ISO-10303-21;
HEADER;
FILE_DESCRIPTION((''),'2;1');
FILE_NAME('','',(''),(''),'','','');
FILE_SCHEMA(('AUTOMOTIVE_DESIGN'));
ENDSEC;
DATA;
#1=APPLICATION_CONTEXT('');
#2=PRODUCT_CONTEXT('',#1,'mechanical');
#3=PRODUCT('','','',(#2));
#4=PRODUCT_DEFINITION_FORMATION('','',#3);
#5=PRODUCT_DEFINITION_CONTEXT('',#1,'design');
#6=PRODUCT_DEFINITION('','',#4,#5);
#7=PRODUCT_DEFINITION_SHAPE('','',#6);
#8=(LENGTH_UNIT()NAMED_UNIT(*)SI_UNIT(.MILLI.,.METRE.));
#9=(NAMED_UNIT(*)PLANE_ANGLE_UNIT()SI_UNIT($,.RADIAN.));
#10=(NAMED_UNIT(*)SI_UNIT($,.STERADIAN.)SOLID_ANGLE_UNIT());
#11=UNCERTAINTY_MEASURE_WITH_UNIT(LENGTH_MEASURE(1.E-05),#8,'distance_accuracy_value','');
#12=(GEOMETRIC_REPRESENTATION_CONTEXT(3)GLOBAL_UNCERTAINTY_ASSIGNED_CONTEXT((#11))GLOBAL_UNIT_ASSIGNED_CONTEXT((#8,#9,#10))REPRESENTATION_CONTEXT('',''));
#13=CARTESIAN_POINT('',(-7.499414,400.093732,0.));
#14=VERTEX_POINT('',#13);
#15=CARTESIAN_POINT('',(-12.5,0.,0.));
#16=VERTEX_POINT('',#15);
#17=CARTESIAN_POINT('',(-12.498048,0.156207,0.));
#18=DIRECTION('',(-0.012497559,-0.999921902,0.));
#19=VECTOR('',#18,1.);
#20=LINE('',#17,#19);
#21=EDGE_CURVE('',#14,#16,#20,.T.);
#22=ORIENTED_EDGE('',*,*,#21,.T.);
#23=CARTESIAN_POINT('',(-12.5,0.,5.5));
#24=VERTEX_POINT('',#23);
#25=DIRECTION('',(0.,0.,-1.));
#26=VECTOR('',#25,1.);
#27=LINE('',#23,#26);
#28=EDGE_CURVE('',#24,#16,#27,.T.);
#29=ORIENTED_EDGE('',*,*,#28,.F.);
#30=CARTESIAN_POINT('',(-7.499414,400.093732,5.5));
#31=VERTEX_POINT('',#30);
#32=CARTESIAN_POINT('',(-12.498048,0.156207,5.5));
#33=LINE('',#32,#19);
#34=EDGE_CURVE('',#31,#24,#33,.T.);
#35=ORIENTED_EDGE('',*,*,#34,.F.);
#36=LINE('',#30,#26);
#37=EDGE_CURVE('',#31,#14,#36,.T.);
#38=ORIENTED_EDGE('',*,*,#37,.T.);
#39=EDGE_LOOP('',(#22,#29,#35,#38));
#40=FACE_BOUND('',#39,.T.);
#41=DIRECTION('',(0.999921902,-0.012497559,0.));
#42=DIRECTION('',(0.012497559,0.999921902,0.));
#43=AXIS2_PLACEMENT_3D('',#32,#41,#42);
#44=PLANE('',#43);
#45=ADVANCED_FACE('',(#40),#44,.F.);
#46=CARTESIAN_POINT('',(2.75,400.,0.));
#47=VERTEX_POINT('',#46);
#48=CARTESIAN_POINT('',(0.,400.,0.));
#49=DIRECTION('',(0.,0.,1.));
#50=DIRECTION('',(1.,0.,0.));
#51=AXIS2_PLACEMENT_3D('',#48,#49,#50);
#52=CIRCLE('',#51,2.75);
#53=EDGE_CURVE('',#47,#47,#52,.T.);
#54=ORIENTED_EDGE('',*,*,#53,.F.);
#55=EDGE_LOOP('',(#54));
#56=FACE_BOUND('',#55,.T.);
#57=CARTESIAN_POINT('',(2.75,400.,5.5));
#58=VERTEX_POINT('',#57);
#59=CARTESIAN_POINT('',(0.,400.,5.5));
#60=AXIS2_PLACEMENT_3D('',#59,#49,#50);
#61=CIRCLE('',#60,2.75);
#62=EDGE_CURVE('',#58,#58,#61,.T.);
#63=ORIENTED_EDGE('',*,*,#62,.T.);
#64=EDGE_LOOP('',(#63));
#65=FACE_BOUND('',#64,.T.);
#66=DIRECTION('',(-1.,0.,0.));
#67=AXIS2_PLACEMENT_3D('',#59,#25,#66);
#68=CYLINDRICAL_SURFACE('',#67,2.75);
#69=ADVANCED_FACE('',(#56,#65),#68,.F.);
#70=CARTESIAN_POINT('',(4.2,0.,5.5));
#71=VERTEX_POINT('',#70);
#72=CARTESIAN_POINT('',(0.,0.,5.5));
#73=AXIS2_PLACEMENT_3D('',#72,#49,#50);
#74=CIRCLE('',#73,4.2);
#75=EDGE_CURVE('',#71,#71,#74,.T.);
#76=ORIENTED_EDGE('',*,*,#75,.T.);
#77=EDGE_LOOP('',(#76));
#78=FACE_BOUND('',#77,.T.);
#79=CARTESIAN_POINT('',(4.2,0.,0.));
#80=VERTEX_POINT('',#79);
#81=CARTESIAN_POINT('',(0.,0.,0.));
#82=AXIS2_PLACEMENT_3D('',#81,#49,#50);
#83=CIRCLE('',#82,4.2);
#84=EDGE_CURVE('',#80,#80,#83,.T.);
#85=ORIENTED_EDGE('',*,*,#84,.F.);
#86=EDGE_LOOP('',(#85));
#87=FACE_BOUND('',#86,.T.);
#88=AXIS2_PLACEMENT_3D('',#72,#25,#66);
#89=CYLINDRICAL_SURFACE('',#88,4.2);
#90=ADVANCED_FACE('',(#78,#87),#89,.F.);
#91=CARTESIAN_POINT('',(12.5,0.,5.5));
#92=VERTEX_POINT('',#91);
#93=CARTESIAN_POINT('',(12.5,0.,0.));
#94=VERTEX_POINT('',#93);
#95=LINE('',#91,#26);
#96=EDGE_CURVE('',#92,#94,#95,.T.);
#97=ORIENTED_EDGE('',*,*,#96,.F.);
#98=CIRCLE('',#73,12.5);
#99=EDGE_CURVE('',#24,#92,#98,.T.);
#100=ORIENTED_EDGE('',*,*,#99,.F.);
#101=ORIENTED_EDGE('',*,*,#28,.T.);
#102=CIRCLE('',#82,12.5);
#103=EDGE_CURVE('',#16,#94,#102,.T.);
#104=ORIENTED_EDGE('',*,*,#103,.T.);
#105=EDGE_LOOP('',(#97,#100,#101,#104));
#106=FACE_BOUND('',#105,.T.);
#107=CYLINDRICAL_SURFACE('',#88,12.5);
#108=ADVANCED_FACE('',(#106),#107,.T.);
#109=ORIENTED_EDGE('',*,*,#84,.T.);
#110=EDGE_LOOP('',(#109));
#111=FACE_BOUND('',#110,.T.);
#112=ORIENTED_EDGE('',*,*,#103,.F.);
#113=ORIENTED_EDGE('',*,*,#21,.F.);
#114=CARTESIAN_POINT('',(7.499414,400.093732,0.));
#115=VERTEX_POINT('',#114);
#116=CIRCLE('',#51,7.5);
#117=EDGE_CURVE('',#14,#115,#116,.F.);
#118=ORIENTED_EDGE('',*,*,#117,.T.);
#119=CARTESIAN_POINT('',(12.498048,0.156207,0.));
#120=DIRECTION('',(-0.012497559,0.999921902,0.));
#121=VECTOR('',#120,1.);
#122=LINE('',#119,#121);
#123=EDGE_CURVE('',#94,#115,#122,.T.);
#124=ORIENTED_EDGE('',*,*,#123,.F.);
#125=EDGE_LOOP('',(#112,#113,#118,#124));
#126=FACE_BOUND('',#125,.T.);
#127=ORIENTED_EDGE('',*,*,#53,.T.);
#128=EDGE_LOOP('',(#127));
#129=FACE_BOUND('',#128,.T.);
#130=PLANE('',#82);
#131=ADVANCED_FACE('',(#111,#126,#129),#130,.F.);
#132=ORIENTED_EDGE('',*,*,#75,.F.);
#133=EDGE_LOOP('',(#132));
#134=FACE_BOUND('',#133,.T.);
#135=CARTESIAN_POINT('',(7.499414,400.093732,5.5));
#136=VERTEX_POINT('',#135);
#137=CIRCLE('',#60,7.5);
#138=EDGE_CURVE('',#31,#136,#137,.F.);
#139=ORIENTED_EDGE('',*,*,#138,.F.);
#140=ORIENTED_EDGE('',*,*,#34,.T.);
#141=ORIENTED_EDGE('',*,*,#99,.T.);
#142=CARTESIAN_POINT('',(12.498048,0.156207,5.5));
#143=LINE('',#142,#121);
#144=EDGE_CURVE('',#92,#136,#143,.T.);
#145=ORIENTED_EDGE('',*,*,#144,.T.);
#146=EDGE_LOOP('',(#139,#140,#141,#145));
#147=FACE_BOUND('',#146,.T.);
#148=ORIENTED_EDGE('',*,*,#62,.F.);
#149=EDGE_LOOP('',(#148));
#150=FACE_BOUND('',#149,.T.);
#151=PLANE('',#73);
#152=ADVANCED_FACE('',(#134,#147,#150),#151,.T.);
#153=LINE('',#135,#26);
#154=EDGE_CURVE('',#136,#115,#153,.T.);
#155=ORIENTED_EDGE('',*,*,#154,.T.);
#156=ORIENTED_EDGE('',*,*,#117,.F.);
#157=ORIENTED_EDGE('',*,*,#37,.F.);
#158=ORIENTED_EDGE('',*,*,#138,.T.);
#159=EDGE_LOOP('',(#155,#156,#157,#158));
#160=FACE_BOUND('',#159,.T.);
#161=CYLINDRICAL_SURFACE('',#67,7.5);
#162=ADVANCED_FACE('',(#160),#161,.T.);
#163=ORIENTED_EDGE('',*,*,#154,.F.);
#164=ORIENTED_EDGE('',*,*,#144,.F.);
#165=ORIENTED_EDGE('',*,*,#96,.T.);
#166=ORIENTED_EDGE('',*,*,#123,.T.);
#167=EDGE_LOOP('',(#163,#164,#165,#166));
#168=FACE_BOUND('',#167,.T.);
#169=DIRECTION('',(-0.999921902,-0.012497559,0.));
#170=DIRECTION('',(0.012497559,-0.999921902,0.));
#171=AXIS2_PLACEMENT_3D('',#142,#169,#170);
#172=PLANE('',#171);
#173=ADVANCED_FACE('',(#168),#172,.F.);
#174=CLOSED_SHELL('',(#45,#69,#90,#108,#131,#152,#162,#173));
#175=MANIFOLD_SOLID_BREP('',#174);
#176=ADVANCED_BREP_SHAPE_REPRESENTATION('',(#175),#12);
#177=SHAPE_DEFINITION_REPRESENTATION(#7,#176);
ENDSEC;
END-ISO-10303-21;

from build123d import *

# Parameters (mm, degrees)
SKETCH1_R           = 2.75
BOSS_EXTRUDE1_DEPTH = 5.5


with BuildPart() as part:
    # Sketch1 → Boss-Extrude1 (new body)
    # profile 1 of 3: a face of its own
    with BuildSketch(Plane.XY):
        with BuildLine():
            ThreePointArc((-12.496095275, 0.312414586), (0, 12.5), (12.496095275, 0.312414586))
            Line((12.496095275, 0.312414586), (7.499414268, 400.093731696))
            ThreePointArc((7.499414268, 400.093731696), (0, 407.5), (-7.499414268, 400.093731696))
            Line((-7.499414268, 400.093731696), (-12.496095275, 0.312414586))
        make_face()
        with Locations((0, 400)):
            Circle(SKETCH1_R, mode=Mode.SUBTRACT)
    # profile 2 of 3: a face of its own
    with BuildSketch(Plane.XY):
        with BuildLine():
            ThreePointArc((-4.2, 0), (0, 4.2), (4.2, 0))
            Line((4.2, 0), (12.5, 0))
            Line((12.5, 0), (12.496095275, 0.312414586))
            ThreePointArc((12.496095275, 0.312414586), (0, 12.5), (-12.496095275, 0.312414586))
            Line((-12.496095275, 0.312414586), (-12.5, 0))
            Line((-12.5, 0), (-4.2, 0))
        make_face()
    # profile 3 of 3: a face of its own
    with BuildSketch(Plane.XY):
        with BuildLine():
            Line((12.5, 0), (4.2, 0))
            ThreePointArc((4.2, 0), (0, -4.2), (-4.2, 0))
            Line((-4.2, 0), (-12.5, 0))
            ThreePointArc((-12.5, 0), (0, -12.5), (12.5, 0))
        make_face()
    extrude(amount=BOSS_EXTRUDE1_DEPTH)


solid = part.part
